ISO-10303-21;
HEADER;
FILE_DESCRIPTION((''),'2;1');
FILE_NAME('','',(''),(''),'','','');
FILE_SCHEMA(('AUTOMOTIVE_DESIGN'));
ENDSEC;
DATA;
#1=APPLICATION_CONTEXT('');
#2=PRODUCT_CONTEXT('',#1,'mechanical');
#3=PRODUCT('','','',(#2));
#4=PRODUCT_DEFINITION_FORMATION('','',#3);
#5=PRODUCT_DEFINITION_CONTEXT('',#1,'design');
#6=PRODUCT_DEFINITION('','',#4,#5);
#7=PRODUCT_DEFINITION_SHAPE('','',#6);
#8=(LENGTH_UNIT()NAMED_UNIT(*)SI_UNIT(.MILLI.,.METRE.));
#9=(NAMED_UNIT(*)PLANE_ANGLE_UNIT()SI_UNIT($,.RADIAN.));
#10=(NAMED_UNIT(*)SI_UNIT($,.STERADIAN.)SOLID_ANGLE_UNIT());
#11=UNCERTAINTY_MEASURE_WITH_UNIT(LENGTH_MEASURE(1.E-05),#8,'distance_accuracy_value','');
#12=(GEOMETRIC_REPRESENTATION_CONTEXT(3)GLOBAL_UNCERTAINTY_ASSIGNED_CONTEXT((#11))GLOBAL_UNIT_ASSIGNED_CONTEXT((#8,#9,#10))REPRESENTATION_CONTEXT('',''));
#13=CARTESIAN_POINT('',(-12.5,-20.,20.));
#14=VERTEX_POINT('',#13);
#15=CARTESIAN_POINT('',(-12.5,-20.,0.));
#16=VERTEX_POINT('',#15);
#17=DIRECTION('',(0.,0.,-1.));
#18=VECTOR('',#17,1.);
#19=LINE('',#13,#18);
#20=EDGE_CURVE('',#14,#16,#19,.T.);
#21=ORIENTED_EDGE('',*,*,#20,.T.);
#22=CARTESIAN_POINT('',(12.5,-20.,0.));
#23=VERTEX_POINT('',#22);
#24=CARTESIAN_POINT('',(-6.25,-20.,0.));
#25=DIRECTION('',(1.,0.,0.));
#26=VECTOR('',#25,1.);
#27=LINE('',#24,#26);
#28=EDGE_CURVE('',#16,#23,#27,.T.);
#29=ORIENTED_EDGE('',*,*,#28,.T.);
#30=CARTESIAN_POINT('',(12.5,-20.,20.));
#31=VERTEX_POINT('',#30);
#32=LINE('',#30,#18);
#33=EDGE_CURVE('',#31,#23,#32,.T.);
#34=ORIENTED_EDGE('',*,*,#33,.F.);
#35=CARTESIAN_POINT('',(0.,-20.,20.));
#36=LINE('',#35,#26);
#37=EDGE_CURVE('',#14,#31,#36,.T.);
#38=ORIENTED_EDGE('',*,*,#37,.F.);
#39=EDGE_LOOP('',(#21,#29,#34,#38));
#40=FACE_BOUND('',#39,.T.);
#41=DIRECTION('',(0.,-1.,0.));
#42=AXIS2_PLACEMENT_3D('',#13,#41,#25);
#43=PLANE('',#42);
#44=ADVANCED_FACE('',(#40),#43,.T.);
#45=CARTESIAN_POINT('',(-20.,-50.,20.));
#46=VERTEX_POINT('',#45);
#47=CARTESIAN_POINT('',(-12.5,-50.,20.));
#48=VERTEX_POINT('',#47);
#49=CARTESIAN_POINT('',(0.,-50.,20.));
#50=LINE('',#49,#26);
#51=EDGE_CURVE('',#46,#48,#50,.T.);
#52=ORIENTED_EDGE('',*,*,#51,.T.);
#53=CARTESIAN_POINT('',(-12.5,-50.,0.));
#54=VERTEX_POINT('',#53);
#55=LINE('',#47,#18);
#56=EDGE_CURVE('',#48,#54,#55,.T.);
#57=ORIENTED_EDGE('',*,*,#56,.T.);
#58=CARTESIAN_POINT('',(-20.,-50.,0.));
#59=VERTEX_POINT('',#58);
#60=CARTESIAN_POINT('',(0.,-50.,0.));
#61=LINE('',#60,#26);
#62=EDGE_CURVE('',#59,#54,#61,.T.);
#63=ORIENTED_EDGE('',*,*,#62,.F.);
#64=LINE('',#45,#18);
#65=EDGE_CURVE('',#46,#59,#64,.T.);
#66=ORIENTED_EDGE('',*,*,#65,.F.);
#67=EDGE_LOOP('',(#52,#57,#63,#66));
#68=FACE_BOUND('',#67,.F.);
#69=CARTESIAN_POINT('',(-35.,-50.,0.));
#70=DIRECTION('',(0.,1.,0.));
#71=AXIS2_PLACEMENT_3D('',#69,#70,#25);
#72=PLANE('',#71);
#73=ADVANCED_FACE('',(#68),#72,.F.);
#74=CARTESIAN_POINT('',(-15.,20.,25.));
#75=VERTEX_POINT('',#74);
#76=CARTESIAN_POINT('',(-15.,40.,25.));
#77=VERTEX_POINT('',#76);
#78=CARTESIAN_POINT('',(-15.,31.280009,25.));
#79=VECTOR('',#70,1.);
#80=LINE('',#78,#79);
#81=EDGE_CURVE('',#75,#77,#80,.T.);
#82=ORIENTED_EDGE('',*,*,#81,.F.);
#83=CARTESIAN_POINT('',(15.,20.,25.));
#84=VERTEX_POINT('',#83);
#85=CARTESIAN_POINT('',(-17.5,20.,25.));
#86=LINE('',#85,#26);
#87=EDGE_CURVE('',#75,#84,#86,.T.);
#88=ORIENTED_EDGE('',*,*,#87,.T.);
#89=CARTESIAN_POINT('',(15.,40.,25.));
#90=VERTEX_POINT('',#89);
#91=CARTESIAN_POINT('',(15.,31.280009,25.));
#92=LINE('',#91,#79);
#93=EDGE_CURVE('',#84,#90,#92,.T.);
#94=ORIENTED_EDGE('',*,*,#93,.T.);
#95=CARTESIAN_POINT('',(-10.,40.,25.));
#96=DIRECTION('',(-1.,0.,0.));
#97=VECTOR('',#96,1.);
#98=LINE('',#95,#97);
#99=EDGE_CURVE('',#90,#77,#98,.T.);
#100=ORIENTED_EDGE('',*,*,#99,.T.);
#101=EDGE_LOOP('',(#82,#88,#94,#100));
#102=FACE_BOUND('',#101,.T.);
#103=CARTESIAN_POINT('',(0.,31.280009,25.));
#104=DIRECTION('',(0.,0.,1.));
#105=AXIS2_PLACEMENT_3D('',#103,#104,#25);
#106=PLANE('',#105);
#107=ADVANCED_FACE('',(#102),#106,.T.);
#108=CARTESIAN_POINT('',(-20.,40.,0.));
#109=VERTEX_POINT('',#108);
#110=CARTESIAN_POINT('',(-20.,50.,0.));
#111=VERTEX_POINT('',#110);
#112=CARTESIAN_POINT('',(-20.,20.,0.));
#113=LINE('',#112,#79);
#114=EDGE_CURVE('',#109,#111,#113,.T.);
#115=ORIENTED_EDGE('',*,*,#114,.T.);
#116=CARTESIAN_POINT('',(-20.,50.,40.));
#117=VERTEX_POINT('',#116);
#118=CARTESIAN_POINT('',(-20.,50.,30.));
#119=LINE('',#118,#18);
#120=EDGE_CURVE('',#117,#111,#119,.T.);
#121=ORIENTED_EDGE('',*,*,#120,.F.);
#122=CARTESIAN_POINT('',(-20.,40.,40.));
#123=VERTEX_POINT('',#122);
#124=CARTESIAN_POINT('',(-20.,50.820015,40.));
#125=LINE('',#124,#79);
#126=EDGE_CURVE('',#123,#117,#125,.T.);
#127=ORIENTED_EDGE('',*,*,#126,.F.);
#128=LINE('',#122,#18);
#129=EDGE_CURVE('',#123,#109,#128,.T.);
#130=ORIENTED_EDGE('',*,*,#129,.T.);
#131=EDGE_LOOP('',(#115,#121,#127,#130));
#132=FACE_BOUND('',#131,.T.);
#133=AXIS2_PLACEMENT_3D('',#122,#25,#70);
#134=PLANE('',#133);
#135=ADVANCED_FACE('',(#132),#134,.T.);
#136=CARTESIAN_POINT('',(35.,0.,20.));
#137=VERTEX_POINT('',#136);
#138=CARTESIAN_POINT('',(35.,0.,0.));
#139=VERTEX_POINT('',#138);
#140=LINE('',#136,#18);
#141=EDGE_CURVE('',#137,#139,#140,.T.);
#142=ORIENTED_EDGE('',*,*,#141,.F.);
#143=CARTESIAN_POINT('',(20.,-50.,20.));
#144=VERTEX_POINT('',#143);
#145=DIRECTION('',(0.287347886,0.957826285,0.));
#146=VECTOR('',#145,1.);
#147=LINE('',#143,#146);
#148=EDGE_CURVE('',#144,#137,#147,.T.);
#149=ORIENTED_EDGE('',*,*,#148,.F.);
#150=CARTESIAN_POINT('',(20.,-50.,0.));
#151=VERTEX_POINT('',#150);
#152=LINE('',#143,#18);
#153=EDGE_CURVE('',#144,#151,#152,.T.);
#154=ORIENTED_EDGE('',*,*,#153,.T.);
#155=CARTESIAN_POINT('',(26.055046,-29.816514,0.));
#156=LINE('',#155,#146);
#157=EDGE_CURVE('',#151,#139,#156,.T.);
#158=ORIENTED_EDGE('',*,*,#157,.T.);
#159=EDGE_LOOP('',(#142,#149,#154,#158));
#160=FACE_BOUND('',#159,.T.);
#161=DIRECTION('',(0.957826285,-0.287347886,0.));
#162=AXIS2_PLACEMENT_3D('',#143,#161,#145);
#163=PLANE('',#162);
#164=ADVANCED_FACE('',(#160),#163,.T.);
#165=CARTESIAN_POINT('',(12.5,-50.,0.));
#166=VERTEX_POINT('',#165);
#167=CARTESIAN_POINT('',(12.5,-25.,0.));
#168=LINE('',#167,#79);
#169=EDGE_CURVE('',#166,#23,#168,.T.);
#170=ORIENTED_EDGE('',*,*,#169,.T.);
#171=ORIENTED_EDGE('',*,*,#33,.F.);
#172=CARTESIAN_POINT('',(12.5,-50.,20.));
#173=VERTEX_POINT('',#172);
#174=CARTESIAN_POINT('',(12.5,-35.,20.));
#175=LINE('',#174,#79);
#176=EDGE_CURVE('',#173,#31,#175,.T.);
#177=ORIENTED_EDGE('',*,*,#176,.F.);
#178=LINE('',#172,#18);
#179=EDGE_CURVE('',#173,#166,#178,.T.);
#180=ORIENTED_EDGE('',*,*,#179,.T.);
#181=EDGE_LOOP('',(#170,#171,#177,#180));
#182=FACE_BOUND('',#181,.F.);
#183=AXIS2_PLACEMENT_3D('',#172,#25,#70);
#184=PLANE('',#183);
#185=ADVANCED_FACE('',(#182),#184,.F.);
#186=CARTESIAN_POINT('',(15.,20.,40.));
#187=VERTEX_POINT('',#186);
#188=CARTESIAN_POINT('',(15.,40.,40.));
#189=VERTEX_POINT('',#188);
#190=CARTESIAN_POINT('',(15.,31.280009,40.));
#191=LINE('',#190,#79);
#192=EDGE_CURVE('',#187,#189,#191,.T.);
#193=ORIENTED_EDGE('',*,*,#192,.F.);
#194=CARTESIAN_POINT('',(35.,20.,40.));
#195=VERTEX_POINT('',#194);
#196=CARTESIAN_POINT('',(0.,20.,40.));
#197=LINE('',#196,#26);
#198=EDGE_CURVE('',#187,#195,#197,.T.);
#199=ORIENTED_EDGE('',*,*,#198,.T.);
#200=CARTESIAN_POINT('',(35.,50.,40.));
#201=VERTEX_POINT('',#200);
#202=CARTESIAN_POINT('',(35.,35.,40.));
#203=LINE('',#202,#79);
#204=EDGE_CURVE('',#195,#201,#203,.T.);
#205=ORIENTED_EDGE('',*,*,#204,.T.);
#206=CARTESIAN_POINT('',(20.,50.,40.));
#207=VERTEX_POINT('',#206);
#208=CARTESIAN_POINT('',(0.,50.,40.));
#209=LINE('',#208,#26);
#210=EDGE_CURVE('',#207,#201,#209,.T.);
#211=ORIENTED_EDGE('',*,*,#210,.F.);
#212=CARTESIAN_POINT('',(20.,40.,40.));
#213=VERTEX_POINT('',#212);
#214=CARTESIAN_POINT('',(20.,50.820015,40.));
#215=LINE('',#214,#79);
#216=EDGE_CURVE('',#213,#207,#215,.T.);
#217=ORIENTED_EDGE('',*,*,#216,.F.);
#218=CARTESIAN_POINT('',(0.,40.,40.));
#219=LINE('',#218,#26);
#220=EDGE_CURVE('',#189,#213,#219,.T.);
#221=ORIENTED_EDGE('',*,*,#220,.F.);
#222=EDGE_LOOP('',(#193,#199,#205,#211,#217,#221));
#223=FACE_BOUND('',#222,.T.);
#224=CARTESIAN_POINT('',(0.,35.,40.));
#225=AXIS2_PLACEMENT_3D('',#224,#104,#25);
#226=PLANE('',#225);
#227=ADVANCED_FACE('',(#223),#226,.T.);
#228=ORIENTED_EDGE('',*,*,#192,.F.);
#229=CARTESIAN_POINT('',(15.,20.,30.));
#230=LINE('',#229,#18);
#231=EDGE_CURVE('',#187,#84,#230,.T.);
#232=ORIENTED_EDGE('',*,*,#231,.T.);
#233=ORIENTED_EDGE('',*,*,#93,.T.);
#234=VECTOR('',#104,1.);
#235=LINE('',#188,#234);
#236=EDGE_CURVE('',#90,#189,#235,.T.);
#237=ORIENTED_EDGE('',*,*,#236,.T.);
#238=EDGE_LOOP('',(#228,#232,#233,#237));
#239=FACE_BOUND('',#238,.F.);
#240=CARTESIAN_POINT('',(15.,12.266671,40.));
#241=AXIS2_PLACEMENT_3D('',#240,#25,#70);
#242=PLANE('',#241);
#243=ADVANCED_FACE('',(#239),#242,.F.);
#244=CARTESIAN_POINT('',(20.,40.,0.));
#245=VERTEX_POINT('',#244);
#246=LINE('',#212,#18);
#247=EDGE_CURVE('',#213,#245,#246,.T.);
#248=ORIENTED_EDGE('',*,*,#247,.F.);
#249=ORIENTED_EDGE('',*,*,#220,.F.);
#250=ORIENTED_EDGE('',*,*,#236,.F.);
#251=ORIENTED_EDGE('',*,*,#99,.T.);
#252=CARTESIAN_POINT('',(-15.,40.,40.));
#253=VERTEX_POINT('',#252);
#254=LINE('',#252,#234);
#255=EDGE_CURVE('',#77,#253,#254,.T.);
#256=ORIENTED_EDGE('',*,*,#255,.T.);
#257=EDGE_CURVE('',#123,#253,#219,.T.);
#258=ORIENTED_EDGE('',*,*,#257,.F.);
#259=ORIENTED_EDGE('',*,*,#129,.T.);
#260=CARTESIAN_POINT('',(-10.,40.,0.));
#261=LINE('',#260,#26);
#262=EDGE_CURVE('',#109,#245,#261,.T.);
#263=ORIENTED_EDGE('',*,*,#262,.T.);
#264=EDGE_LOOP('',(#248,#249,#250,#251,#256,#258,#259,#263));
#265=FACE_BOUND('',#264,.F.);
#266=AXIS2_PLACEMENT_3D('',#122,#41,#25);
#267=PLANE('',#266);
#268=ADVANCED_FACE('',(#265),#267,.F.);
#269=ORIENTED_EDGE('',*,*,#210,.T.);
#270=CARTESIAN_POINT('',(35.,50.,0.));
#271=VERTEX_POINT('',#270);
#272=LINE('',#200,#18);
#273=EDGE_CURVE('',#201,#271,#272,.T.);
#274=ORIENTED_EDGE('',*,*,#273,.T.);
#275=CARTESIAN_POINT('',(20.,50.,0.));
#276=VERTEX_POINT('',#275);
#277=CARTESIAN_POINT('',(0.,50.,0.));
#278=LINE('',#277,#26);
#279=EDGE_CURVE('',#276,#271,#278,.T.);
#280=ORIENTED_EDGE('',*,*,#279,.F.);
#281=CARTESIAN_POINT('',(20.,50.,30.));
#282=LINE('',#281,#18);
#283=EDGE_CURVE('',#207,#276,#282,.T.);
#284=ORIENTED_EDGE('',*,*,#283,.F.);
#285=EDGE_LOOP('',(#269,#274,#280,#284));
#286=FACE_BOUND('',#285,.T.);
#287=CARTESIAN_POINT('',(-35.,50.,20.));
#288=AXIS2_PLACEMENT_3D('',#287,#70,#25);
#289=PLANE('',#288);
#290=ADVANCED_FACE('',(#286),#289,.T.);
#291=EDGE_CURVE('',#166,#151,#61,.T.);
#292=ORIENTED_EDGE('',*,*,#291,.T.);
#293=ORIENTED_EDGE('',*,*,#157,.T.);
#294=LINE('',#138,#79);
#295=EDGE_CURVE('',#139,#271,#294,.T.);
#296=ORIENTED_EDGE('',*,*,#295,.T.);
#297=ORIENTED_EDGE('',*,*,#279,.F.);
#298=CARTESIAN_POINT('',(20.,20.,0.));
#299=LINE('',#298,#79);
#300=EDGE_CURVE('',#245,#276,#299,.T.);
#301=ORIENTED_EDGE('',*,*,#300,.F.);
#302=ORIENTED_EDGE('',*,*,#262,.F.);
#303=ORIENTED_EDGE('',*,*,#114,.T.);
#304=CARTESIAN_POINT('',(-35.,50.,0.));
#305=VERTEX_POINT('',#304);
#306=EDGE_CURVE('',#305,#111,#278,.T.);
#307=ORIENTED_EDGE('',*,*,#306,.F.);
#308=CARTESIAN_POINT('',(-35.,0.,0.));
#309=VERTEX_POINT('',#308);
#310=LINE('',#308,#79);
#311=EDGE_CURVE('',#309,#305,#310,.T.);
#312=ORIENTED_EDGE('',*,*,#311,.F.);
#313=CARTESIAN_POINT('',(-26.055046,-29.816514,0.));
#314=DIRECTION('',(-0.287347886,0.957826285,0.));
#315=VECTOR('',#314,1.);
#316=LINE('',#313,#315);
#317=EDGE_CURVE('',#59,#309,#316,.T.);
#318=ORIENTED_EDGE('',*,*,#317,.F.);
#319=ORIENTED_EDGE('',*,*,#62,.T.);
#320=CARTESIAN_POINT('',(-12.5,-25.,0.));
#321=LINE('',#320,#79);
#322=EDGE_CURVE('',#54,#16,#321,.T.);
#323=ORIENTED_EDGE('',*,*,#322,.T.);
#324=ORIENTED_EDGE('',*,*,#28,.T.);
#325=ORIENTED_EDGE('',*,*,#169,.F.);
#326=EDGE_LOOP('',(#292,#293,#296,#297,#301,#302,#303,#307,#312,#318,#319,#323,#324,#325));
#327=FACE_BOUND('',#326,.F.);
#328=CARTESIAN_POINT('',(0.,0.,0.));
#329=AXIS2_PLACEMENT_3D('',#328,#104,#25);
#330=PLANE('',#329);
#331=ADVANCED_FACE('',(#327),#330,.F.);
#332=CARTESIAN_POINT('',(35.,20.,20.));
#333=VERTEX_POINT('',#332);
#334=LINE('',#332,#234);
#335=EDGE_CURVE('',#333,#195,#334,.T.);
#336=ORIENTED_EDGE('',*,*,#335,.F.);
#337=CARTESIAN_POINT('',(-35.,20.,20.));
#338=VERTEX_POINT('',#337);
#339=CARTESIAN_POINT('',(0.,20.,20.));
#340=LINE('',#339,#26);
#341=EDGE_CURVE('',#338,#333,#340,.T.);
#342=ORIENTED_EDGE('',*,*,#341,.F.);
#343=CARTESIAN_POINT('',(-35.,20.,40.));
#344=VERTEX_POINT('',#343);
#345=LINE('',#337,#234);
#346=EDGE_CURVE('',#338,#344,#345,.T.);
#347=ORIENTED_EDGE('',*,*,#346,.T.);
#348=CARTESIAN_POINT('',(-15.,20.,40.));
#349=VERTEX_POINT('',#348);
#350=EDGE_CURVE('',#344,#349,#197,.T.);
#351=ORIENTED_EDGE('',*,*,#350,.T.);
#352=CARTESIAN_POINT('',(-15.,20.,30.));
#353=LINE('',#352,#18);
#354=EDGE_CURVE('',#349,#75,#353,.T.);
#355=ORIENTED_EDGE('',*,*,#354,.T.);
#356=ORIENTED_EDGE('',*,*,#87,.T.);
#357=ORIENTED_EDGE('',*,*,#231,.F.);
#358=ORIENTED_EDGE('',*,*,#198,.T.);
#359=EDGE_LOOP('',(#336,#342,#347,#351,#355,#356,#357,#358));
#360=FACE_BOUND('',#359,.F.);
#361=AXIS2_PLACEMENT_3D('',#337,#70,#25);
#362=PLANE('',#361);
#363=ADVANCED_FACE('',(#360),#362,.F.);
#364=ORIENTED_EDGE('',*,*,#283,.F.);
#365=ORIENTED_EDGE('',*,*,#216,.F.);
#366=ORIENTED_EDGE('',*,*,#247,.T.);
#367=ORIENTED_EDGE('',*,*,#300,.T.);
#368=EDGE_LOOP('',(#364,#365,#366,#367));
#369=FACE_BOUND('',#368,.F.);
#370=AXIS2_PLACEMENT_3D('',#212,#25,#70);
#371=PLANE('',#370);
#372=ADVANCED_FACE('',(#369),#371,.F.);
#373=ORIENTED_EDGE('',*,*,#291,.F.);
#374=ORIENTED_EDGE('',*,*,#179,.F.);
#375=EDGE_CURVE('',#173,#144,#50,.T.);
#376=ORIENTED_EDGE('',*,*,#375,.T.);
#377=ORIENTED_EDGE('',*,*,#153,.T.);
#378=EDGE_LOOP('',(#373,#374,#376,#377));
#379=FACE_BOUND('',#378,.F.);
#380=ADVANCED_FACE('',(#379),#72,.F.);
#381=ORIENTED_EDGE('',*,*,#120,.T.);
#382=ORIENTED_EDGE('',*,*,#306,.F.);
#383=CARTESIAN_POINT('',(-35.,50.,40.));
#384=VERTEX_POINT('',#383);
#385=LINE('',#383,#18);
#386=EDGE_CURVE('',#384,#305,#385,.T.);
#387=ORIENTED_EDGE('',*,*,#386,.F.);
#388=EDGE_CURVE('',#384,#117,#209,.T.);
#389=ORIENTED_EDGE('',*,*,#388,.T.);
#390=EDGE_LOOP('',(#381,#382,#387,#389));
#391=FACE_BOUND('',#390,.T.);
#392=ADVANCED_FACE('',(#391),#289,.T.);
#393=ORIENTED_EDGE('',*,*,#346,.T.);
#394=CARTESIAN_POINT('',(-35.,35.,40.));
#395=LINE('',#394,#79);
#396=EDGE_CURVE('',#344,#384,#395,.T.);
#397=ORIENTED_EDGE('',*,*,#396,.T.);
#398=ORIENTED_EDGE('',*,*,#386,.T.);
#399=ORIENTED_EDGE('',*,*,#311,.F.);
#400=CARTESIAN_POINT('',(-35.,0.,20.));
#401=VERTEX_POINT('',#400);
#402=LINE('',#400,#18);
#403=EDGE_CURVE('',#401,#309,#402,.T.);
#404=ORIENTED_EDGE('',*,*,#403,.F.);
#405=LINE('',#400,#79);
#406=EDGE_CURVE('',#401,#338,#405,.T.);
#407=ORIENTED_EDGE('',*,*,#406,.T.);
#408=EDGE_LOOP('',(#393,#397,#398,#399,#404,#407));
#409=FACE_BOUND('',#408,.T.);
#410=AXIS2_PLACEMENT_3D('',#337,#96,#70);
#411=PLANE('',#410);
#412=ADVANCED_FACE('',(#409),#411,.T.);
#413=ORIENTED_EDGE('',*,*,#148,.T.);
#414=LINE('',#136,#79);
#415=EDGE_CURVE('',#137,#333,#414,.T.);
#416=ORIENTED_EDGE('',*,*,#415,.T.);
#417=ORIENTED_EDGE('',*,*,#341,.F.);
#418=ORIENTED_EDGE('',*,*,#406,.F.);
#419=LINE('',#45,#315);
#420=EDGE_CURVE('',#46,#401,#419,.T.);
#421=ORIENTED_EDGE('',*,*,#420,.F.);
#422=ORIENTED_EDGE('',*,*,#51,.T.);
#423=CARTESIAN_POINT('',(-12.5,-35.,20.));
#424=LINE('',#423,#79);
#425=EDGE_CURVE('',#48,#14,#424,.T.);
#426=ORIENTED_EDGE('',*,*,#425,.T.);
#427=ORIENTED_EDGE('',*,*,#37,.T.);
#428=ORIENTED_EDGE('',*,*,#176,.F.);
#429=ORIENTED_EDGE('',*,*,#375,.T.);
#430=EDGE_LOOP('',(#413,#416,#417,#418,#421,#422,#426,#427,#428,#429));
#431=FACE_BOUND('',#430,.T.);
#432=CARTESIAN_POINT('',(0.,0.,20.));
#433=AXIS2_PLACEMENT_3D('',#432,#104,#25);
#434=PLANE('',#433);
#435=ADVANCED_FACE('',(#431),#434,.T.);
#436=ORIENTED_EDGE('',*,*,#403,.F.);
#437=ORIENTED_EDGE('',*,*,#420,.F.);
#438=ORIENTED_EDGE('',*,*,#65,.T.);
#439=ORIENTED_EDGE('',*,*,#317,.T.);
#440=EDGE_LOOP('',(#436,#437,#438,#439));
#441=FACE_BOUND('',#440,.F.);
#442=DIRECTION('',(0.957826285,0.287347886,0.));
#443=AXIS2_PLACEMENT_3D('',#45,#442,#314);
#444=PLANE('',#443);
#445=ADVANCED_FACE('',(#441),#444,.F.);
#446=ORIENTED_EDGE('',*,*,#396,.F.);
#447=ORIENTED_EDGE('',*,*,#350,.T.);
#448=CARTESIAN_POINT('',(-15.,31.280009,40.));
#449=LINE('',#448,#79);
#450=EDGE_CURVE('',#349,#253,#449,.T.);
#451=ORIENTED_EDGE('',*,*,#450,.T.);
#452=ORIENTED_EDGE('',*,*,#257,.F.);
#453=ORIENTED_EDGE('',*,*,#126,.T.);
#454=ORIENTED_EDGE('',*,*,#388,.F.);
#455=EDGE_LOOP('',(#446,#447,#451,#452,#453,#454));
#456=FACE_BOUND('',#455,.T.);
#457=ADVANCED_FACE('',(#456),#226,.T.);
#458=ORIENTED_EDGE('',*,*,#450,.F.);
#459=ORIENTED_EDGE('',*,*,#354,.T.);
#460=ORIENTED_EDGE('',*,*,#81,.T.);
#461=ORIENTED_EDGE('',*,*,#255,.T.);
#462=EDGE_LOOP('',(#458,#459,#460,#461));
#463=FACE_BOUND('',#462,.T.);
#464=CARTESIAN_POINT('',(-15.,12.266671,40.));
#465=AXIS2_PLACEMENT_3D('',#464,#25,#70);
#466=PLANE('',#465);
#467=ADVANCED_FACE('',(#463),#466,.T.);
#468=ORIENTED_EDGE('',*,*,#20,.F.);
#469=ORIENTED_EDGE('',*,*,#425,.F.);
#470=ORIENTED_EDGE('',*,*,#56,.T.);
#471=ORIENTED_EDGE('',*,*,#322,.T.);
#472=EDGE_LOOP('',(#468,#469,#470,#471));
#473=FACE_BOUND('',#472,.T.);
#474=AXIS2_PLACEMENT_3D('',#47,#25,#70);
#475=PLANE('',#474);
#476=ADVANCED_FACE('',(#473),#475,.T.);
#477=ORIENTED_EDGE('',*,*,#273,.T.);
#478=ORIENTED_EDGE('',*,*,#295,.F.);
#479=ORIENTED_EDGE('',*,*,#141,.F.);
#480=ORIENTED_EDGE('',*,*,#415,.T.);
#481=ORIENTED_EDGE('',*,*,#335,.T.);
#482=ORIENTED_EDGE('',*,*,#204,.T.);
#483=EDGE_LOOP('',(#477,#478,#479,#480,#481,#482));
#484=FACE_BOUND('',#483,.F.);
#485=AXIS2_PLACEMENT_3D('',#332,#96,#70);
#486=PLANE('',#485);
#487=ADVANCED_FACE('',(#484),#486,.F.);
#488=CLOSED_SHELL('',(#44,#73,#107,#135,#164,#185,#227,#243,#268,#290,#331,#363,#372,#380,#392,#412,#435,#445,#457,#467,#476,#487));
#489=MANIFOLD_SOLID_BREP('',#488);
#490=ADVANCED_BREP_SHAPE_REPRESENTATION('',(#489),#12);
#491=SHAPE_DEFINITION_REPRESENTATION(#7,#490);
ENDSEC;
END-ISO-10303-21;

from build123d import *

# Parameters (mm, degrees)
SKETCH_W        = 70
SKETCH_H        = 100
PAD_DEPTH       = 20
POCKET_DEPTH    = 20.001
SKETCH002_W     = 25
SKETCH002_H     = 30
POCKET001_DEPTH = 20.001
SKETCH003_W     = 70
SKETCH003_H     = 30
PAD001_DEPTH    = 20
SKETCH004_W     = 40
SKETCH004_H     = 21.64003
POCKET002_DEPTH = 40.001
SKETCH005_W     = 30
SKETCH005_H     = 38.026675
POCKET003_DEPTH = 15


with BuildPart() as part:
    # Sketch → Pad (new body)
    with BuildSketch(Plane.XY):
        Rectangle(SKETCH_W, SKETCH_H)
    extrude(amount=PAD_DEPTH)

    # Sketch001 → Pocket (cut, through all)
    with BuildSketch(Plane.XY.offset(20)):
        Polygon((35, 0), (35, -50), (20, -50), align=None)
        Polygon((-35, 0), (-35, -50), (-20, -50), align=None)
    extrude(amount=-POCKET_DEPTH, mode=Mode.SUBTRACT)

    # Sketch002 → Pocket001 (cut, through all)
    with BuildSketch(Plane.XY.offset(20)):
        with Locations((0, -35)):
            Rectangle(SKETCH002_W, SKETCH002_H)
    extrude(amount=-POCKET001_DEPTH, mode=Mode.SUBTRACT)

    # Sketch003 → Pad001 (new body)
    with BuildSketch(Plane.XY.offset(20)):
        with Locations((0, 35)):
            Rectangle(SKETCH003_W, SKETCH003_H)
    extrude(amount=PAD001_DEPTH)

    # Sketch004 → Pocket002 (cut, through all)
    with BuildSketch(Plane.XY.offset(40)):
        with Locations((0, 50.820015)):
            Rectangle(SKETCH004_W, SKETCH004_H)
    extrude(amount=-POCKET002_DEPTH, mode=Mode.SUBTRACT)

    # Sketch005 → Pocket003 (cut)
    with BuildSketch(Plane.XY.offset(40)):
        with Locations((0, 31.280009)):
            Rectangle(SKETCH005_W, SKETCH005_H)
    extrude(amount=-POCKET003_DEPTH, mode=Mode.SUBTRACT)


solid = part.part
